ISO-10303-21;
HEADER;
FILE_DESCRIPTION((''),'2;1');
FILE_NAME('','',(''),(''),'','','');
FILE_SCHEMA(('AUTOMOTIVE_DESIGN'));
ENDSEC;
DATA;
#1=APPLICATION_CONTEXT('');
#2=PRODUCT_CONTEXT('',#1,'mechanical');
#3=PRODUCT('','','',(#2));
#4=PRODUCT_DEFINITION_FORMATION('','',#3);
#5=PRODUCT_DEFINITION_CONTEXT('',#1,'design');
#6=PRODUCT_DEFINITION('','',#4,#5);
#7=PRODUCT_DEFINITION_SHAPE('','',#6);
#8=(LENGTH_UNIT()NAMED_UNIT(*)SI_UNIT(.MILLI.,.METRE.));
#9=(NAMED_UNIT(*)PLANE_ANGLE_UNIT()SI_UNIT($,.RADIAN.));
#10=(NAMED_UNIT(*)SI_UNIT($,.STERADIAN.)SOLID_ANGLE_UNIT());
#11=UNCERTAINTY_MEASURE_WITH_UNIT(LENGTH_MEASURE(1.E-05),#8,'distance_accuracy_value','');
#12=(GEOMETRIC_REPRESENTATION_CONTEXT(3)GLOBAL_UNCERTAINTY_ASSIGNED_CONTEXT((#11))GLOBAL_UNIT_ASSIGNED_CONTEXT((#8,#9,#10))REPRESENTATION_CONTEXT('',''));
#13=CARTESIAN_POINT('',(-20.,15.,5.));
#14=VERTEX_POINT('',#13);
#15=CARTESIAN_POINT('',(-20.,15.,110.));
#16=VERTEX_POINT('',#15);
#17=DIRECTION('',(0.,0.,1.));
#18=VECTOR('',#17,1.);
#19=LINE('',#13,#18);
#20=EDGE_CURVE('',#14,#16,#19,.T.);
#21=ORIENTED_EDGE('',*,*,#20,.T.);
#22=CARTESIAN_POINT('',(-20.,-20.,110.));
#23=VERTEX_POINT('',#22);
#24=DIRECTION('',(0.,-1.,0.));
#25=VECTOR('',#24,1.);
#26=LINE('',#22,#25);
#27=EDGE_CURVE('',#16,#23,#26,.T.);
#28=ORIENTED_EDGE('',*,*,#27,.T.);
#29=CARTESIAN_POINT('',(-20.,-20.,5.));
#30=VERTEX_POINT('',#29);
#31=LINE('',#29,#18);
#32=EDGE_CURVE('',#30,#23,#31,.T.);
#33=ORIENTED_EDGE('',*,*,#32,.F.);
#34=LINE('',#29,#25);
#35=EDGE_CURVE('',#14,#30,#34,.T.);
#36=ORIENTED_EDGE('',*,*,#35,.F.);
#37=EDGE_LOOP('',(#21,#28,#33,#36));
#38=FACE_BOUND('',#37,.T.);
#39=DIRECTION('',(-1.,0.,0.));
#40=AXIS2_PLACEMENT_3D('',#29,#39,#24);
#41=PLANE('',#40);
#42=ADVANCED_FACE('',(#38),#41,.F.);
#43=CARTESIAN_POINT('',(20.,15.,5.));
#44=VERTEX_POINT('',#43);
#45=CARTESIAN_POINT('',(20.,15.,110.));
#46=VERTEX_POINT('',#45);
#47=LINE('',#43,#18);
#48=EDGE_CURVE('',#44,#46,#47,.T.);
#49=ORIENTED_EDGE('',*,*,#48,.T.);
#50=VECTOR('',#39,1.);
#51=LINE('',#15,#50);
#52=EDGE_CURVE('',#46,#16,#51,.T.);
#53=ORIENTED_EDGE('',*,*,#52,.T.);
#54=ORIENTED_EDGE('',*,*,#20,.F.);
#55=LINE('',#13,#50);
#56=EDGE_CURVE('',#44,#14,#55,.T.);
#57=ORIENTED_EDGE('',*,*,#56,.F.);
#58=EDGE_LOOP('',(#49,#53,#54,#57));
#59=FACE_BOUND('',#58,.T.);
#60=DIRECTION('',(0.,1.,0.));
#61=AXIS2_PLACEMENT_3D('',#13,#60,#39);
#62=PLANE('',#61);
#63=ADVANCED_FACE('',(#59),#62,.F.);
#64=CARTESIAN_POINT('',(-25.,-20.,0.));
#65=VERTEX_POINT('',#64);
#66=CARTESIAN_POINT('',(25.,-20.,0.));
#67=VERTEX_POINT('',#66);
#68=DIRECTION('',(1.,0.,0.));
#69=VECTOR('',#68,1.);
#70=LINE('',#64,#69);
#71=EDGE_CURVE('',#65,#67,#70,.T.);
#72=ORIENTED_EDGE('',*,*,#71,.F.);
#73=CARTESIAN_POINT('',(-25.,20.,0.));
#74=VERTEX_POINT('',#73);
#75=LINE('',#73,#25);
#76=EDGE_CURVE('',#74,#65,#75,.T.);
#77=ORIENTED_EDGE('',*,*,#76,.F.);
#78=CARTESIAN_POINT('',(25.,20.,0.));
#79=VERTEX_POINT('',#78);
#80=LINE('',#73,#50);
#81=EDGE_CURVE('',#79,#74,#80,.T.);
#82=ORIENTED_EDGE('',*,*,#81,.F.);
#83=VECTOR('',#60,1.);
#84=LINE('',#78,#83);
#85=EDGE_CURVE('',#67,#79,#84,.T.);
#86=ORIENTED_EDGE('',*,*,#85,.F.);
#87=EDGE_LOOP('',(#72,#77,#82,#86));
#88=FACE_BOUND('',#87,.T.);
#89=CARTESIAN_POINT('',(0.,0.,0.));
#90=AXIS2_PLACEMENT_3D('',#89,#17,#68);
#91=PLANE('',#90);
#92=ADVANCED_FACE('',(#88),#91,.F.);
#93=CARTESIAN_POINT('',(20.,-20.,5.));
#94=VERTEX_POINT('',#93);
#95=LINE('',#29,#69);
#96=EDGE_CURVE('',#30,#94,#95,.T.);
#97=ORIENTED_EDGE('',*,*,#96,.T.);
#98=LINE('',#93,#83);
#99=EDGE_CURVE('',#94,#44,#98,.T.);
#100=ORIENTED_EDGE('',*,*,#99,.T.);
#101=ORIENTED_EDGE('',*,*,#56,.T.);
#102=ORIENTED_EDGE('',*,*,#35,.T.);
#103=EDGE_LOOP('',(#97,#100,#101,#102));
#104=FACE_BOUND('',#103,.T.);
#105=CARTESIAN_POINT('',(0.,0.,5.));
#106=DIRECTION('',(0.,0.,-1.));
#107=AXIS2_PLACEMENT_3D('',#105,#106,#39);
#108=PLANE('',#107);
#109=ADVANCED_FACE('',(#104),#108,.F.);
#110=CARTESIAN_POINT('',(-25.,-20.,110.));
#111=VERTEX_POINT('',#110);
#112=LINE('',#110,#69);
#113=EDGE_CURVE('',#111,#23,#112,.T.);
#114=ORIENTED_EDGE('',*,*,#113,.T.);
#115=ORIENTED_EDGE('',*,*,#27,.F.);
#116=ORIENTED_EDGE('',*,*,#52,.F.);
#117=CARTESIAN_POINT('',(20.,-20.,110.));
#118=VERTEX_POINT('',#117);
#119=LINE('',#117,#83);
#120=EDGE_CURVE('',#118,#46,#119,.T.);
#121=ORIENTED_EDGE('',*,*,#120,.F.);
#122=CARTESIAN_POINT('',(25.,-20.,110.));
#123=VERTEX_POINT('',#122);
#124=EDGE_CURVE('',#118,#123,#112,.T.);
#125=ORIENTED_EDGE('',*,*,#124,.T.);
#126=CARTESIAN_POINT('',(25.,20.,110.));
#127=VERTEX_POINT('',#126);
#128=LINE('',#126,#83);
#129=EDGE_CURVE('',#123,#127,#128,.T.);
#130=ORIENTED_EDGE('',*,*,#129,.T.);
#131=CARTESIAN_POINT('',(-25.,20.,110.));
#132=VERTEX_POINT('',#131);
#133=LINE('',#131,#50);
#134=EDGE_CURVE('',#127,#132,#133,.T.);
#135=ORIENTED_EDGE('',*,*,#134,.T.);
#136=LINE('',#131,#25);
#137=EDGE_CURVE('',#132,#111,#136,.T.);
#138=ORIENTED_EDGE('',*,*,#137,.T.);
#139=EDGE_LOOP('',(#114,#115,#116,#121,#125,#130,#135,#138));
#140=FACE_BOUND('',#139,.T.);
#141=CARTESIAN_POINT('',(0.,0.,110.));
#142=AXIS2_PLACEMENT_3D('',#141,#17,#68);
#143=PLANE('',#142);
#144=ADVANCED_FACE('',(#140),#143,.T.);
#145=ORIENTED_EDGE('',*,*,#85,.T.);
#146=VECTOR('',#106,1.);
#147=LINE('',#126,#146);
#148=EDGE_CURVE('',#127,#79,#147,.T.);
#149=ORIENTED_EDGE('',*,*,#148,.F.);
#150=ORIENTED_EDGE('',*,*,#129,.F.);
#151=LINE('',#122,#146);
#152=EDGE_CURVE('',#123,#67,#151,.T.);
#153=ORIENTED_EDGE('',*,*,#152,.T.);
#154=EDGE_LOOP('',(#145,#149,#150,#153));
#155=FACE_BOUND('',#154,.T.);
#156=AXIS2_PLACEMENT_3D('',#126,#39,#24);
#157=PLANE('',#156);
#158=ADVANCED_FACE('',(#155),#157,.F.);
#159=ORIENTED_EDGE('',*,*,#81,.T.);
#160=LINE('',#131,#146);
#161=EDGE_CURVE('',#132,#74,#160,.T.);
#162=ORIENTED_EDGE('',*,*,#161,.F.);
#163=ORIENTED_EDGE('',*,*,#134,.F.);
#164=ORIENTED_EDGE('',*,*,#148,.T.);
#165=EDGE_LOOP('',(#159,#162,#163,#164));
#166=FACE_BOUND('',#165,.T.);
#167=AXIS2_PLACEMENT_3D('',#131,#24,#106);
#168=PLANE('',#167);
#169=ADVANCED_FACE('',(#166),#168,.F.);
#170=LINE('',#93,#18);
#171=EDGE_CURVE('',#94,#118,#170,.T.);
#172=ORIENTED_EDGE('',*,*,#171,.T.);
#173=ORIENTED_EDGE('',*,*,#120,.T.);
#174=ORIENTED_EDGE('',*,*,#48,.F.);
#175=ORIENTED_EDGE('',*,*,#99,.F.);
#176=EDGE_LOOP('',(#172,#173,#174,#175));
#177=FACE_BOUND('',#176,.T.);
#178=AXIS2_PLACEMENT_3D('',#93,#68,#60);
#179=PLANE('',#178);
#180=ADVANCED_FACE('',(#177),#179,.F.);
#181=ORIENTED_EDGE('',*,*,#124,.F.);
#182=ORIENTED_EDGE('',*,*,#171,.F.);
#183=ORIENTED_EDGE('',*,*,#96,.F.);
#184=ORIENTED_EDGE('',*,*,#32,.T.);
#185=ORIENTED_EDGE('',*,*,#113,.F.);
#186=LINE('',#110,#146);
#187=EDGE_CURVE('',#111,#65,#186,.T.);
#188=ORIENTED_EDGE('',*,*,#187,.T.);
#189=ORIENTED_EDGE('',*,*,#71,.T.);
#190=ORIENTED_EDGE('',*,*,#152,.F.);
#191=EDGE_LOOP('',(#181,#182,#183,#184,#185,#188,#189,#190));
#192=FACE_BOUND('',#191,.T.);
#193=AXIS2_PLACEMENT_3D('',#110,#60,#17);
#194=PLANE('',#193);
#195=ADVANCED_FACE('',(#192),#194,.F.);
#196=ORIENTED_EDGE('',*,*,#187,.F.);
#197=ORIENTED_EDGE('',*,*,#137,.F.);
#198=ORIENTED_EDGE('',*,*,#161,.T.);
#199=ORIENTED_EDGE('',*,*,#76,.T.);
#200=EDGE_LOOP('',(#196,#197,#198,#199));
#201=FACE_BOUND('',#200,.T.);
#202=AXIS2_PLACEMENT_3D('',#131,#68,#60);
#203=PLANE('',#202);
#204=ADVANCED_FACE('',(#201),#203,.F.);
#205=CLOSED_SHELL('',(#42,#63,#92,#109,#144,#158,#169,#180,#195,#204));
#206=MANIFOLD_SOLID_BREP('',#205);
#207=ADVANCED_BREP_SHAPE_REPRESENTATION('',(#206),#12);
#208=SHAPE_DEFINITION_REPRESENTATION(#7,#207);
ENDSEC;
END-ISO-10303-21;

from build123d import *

# Parameters (mm, degrees)
SKETCH1_W           = 50
SKETCH1_H           = 40
BOSS_EXTRUDE1_DEPTH = 110
SKETCH2_W           = 40
SKETCH2_H           = 35
CUT_EXTRUDE1_DEPTH  = 105


with BuildPart() as part:
    # Sketch1 → Boss-Extrude1 (new body)
    with BuildSketch(Plane.XY):
        Rectangle(SKETCH1_W, SKETCH1_H)
    extrude(amount=BOSS_EXTRUDE1_DEPTH)

    # Sketch2 → Cut-Extrude1 (cut)
    with BuildSketch(Plane.XY.offset(110)):
        with Locations((0, -2.5)):
            Rectangle(SKETCH2_W, SKETCH2_H)
    extrude(amount=-CUT_EXTRUDE1_DEPTH, mode=Mode.SUBTRACT)


solid = part.part
